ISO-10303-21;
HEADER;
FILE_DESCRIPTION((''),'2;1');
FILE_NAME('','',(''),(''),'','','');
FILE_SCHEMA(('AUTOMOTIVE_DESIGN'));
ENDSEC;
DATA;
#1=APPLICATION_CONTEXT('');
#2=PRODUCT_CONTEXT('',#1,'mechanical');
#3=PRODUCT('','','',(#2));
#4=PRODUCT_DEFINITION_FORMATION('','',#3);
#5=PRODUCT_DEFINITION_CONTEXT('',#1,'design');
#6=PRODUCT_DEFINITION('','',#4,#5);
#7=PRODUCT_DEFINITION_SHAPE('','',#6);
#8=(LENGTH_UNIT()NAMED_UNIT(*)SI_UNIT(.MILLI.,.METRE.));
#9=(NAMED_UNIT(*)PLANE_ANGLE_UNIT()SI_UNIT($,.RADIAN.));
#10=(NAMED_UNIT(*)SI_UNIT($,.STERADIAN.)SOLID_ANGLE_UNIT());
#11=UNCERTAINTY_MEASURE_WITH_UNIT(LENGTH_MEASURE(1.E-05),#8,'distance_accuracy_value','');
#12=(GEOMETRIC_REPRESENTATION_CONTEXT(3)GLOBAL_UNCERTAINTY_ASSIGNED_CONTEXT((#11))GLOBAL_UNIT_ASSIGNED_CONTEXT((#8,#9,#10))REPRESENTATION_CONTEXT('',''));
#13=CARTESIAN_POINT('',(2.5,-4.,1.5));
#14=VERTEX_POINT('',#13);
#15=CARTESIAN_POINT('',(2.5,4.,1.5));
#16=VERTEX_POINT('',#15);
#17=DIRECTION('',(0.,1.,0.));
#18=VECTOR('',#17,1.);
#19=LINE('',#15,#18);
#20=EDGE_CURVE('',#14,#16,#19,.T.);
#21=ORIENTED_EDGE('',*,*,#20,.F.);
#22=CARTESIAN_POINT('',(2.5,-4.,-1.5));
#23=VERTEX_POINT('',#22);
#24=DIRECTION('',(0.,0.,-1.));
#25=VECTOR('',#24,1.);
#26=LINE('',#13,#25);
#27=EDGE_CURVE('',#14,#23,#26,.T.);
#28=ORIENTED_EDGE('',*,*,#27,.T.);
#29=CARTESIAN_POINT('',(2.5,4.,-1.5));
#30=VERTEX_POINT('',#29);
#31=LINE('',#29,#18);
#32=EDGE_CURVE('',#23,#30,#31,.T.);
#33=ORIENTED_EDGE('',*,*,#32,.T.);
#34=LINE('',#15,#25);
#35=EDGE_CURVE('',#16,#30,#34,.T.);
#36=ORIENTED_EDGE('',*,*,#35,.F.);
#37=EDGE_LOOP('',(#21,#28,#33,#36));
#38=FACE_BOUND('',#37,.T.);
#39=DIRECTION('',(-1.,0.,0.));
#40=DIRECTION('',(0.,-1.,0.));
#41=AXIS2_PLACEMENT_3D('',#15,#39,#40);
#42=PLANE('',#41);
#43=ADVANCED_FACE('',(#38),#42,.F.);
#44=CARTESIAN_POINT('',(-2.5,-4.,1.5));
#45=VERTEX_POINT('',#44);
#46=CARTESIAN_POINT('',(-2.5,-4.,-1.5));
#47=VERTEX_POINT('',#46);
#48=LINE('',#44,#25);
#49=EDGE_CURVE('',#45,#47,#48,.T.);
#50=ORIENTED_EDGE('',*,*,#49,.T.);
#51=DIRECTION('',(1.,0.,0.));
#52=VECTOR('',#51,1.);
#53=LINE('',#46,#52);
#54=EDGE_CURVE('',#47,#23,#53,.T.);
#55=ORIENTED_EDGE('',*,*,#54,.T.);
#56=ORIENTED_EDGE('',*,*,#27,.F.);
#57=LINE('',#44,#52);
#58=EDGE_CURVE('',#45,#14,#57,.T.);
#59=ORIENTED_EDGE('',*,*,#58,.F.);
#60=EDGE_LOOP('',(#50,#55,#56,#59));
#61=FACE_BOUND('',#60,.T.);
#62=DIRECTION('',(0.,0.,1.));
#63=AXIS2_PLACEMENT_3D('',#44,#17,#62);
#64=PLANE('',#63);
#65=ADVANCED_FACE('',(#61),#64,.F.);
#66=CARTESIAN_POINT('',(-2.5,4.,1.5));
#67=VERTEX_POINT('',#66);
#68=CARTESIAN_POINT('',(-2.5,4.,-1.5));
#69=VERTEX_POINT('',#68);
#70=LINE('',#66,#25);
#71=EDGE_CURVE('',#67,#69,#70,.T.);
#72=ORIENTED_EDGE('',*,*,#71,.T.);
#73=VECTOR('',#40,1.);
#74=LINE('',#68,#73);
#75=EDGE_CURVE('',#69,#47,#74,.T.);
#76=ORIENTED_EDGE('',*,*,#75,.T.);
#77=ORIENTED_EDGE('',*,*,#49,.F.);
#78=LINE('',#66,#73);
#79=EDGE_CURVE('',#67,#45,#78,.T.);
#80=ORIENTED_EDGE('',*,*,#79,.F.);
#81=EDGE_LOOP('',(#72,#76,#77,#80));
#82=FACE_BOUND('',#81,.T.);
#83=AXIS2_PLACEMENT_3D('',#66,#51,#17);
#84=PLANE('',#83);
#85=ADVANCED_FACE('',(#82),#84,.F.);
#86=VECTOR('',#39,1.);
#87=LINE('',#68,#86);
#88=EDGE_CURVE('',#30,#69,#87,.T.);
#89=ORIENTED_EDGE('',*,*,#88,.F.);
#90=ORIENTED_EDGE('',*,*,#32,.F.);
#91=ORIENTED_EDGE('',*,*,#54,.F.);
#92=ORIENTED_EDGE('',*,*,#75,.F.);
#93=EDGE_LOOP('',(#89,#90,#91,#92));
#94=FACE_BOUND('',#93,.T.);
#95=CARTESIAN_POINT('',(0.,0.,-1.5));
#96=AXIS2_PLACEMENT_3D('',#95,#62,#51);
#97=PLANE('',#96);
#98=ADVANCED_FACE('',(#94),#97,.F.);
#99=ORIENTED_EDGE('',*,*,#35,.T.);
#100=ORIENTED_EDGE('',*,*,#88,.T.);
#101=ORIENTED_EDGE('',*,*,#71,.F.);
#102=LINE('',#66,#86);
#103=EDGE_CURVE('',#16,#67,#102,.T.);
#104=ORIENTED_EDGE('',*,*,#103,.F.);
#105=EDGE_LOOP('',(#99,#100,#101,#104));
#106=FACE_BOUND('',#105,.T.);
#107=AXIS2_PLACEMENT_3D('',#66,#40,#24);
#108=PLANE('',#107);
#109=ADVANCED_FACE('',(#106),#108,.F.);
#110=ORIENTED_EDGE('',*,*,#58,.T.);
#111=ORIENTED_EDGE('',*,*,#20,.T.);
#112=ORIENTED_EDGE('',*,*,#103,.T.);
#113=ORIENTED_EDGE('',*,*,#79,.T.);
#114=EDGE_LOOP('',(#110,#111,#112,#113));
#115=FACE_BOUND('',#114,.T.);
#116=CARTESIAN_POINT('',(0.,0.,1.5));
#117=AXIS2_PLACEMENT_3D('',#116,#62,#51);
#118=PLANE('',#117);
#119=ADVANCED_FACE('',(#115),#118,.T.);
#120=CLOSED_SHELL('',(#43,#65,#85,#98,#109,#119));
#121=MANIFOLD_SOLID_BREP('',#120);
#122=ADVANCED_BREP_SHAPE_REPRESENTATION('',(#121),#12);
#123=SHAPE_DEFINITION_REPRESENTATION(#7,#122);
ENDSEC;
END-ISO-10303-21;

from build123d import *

# Parameters (mm, degrees)
SKETCH1_W           = 5
SKETCH1_H           = 8
BOSS_EXTRUDE1_DEPTH = 1.5


with BuildPart() as part:
    # Sketch1 → Boss-Extrude1 (new body, symmetric)
    with BuildSketch(Plane.XY):
        Rectangle(SKETCH1_W, SKETCH1_H)
    extrude(amount=BOSS_EXTRUDE1_DEPTH, both=True)


solid = part.part
